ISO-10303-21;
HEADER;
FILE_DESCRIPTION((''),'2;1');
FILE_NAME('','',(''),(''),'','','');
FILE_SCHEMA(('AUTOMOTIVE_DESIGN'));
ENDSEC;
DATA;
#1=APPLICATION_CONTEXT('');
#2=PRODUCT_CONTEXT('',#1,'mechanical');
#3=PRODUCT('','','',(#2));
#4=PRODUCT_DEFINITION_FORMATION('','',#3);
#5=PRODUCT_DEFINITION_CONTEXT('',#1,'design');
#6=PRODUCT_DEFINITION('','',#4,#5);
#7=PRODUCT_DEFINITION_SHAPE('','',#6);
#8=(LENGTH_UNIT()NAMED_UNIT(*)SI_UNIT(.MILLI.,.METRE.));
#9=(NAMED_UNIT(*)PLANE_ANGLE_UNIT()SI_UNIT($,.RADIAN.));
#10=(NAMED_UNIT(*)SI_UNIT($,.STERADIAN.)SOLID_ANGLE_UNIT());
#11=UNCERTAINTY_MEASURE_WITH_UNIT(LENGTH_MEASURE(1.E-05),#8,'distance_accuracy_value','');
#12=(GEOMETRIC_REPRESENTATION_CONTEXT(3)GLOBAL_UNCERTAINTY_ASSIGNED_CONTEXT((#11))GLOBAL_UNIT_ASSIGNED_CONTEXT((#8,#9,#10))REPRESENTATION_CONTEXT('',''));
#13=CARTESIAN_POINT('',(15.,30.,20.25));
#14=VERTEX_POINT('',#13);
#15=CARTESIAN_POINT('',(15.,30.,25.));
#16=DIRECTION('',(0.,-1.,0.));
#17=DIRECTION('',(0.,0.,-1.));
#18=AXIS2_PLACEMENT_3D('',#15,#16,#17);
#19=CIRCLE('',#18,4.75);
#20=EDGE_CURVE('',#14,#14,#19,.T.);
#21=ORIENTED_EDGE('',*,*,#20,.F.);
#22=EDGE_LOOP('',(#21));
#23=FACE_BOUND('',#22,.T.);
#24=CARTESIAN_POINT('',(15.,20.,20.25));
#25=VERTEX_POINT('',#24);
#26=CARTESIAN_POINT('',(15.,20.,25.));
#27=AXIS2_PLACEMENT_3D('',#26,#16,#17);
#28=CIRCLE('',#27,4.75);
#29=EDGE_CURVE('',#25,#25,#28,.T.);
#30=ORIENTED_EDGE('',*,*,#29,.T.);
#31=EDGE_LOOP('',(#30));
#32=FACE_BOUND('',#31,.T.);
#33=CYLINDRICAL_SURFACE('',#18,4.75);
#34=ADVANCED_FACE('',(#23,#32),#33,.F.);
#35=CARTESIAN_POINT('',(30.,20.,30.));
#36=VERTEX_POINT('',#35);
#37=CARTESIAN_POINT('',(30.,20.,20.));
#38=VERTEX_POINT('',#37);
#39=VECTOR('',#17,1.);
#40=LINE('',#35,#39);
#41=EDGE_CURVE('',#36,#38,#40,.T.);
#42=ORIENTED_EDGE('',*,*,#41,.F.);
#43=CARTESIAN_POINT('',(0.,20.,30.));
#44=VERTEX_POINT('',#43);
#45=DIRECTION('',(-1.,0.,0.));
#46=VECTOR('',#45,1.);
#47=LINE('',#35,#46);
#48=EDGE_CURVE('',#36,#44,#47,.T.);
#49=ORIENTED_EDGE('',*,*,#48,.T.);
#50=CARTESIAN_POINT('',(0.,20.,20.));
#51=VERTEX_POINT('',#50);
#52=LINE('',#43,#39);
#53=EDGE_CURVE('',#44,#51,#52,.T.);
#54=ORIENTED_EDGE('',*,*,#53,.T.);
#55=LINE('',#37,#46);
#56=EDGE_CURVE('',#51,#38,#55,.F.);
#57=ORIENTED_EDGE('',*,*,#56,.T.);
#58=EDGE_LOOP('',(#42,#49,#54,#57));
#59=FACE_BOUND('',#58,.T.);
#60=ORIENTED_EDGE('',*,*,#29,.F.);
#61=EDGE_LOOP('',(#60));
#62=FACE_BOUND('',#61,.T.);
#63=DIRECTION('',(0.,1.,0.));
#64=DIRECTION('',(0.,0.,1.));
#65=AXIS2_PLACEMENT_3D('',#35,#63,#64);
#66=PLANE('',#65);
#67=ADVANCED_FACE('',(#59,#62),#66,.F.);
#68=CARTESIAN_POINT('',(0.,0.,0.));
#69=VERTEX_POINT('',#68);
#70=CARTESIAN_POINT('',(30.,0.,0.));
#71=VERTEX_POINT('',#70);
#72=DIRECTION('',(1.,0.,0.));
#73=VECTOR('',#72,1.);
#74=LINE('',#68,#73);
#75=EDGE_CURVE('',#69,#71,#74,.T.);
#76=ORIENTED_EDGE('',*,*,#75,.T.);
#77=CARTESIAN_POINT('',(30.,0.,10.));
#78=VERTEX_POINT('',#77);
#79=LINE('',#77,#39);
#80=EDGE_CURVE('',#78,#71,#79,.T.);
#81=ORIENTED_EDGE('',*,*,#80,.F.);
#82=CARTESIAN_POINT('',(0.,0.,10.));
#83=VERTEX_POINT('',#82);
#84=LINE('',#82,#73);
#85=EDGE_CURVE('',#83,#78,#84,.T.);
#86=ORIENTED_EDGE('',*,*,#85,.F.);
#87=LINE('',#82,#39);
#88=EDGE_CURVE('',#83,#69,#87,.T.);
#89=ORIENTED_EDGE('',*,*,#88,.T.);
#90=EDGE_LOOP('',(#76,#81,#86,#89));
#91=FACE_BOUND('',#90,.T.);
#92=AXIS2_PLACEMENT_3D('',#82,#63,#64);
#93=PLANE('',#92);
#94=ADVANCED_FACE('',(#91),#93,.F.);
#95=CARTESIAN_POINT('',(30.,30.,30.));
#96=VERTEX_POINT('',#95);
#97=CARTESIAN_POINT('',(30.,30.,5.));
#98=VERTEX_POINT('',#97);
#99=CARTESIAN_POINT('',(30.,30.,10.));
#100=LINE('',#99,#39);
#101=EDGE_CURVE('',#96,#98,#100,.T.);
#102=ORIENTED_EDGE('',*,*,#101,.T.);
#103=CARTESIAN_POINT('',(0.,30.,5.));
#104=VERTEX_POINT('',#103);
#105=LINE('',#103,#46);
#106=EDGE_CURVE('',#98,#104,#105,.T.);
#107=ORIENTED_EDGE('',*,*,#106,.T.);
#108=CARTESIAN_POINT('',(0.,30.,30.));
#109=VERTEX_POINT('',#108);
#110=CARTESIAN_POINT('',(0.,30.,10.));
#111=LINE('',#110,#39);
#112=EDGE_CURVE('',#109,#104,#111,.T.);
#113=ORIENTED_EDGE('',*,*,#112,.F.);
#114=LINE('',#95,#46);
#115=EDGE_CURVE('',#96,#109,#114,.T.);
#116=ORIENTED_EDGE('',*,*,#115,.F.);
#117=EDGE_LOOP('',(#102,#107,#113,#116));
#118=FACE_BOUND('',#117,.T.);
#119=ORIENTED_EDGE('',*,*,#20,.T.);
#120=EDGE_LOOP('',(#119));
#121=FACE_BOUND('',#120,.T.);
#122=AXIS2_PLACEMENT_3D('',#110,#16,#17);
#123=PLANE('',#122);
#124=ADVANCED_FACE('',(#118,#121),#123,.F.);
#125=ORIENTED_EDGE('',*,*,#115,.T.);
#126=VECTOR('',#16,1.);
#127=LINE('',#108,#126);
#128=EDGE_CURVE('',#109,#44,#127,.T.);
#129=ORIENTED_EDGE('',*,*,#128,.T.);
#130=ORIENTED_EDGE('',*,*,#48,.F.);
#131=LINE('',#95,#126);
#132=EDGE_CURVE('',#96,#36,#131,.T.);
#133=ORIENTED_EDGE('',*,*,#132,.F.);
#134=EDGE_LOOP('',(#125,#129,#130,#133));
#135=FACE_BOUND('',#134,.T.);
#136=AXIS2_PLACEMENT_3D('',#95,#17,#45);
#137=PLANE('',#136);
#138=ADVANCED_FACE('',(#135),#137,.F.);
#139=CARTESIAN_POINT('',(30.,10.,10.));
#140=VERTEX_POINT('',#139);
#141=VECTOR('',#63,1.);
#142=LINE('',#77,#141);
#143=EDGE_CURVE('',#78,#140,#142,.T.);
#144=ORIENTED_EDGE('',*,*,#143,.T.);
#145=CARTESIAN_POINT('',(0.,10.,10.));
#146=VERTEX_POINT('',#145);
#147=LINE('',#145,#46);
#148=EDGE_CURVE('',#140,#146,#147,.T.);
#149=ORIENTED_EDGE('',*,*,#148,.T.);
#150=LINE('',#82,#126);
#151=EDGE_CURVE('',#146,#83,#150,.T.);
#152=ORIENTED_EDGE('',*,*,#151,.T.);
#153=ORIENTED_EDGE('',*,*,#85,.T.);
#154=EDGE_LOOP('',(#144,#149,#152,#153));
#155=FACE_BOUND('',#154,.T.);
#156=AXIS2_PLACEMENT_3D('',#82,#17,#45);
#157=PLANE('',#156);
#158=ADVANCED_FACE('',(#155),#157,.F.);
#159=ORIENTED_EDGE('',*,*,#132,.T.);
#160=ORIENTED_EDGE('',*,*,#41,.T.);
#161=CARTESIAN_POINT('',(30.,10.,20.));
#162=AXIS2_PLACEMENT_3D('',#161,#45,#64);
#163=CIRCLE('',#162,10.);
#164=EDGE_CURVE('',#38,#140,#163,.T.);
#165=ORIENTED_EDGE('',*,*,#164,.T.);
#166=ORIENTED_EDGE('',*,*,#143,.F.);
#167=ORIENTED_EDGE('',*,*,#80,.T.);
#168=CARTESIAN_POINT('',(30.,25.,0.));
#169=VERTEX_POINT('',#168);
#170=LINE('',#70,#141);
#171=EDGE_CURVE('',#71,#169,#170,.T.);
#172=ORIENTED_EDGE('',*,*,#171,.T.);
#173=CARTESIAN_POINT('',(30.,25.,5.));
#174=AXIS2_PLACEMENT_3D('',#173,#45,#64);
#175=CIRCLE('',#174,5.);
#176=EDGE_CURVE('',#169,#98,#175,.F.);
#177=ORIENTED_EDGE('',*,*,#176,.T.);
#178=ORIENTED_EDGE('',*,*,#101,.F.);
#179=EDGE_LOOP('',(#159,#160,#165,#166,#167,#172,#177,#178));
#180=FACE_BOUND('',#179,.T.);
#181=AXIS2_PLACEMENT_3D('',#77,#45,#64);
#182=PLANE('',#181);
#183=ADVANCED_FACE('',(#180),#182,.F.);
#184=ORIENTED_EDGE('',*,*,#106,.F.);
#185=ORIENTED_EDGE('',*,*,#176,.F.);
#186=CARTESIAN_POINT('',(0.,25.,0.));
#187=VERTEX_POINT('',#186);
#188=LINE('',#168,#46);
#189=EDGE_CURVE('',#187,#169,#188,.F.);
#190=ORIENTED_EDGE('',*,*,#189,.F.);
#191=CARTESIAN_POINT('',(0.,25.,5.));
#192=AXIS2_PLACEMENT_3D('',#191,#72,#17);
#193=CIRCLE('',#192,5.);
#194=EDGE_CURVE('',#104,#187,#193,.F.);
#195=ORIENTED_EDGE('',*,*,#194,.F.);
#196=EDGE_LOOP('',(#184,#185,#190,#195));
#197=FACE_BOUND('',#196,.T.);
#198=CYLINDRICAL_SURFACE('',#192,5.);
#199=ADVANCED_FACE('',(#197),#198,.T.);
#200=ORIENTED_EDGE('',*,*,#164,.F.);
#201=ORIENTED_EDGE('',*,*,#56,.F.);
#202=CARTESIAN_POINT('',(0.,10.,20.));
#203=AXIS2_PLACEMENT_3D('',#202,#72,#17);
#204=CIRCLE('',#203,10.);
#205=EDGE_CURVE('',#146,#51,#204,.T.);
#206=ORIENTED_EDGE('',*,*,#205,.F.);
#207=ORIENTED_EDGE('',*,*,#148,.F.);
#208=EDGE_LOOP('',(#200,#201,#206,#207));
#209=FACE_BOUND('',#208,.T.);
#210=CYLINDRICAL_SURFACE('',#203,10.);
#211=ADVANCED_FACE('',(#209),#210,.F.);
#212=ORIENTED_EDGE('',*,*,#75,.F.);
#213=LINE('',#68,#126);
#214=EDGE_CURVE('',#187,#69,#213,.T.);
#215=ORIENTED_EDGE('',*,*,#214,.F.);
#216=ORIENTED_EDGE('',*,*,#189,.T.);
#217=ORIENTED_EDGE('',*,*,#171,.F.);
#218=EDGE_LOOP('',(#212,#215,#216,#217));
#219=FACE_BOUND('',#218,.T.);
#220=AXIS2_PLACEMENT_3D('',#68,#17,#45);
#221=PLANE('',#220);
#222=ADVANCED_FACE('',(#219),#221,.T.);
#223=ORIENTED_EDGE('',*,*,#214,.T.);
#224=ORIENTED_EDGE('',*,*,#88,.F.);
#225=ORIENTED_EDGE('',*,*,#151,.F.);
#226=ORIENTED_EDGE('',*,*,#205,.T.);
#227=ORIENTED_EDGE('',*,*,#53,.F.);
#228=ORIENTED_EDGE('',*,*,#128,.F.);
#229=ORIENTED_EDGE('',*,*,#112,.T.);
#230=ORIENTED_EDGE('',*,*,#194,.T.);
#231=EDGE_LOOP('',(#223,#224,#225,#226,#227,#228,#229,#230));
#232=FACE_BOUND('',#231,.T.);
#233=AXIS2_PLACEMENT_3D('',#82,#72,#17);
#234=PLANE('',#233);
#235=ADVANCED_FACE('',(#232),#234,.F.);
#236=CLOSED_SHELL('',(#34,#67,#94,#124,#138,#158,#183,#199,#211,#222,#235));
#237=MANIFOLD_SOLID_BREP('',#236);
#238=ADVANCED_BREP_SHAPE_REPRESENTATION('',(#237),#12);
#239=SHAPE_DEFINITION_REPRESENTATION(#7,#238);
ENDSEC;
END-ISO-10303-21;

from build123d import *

# Parameters (mm, degrees)
SKETCH1_W           = 30
SKETCH1_H           = 30
BOSS_EXTRUDE3_DEPTH = 10
SKETCH2_W           = 20
SKETCH2_H           = 10
BOSS_EXTRUDE5_DEPTH = 30
FILLET1_R           = 10
SKETCH8_R           = 4.75
CUT_EXTRUDE6_DEPTH  = 47.904157598
FILLET3_R           = 5


with BuildPart() as part:
    # Sketch1 → Boss-Extrude3 (new body)
    with BuildSketch(Plane.XY):
        with Locations((15, 15)):
            Rectangle(SKETCH1_W, SKETCH1_H)
    extrude(amount=BOSS_EXTRUDE3_DEPTH)

    # Sketch2 → Boss-Extrude5 (add)
    with BuildSketch(Plane.ZY):
        with Locations((20, 25)):
            Rectangle(SKETCH2_W, SKETCH2_H)
    extrude(amount=-BOSS_EXTRUDE5_DEPTH)

    # Fillet1
    fillet1_edges = [part.edges().sort_by_distance(p)[0] for p in [
        (15, 20, 10),
    ]]
    fillet(fillet1_edges, radius=FILLET1_R)

    # Sketch8 → Cut-Extrude6 (cut, through all)
    with BuildSketch(Plane.XZ.offset(-20)):
        with Locations(Location((15, 25, 0), (0, 0, 270))):
            Circle(SKETCH8_R)
    extrude(amount=-CUT_EXTRUDE6_DEPTH, mode=Mode.SUBTRACT)

    # Fillet3
    fillet3_edges = [part.edges().sort_by_distance(p)[0] for p in [
        (15, 30, 0),
    ]]
    fillet(fillet3_edges, radius=FILLET3_R)


solid = part.part
